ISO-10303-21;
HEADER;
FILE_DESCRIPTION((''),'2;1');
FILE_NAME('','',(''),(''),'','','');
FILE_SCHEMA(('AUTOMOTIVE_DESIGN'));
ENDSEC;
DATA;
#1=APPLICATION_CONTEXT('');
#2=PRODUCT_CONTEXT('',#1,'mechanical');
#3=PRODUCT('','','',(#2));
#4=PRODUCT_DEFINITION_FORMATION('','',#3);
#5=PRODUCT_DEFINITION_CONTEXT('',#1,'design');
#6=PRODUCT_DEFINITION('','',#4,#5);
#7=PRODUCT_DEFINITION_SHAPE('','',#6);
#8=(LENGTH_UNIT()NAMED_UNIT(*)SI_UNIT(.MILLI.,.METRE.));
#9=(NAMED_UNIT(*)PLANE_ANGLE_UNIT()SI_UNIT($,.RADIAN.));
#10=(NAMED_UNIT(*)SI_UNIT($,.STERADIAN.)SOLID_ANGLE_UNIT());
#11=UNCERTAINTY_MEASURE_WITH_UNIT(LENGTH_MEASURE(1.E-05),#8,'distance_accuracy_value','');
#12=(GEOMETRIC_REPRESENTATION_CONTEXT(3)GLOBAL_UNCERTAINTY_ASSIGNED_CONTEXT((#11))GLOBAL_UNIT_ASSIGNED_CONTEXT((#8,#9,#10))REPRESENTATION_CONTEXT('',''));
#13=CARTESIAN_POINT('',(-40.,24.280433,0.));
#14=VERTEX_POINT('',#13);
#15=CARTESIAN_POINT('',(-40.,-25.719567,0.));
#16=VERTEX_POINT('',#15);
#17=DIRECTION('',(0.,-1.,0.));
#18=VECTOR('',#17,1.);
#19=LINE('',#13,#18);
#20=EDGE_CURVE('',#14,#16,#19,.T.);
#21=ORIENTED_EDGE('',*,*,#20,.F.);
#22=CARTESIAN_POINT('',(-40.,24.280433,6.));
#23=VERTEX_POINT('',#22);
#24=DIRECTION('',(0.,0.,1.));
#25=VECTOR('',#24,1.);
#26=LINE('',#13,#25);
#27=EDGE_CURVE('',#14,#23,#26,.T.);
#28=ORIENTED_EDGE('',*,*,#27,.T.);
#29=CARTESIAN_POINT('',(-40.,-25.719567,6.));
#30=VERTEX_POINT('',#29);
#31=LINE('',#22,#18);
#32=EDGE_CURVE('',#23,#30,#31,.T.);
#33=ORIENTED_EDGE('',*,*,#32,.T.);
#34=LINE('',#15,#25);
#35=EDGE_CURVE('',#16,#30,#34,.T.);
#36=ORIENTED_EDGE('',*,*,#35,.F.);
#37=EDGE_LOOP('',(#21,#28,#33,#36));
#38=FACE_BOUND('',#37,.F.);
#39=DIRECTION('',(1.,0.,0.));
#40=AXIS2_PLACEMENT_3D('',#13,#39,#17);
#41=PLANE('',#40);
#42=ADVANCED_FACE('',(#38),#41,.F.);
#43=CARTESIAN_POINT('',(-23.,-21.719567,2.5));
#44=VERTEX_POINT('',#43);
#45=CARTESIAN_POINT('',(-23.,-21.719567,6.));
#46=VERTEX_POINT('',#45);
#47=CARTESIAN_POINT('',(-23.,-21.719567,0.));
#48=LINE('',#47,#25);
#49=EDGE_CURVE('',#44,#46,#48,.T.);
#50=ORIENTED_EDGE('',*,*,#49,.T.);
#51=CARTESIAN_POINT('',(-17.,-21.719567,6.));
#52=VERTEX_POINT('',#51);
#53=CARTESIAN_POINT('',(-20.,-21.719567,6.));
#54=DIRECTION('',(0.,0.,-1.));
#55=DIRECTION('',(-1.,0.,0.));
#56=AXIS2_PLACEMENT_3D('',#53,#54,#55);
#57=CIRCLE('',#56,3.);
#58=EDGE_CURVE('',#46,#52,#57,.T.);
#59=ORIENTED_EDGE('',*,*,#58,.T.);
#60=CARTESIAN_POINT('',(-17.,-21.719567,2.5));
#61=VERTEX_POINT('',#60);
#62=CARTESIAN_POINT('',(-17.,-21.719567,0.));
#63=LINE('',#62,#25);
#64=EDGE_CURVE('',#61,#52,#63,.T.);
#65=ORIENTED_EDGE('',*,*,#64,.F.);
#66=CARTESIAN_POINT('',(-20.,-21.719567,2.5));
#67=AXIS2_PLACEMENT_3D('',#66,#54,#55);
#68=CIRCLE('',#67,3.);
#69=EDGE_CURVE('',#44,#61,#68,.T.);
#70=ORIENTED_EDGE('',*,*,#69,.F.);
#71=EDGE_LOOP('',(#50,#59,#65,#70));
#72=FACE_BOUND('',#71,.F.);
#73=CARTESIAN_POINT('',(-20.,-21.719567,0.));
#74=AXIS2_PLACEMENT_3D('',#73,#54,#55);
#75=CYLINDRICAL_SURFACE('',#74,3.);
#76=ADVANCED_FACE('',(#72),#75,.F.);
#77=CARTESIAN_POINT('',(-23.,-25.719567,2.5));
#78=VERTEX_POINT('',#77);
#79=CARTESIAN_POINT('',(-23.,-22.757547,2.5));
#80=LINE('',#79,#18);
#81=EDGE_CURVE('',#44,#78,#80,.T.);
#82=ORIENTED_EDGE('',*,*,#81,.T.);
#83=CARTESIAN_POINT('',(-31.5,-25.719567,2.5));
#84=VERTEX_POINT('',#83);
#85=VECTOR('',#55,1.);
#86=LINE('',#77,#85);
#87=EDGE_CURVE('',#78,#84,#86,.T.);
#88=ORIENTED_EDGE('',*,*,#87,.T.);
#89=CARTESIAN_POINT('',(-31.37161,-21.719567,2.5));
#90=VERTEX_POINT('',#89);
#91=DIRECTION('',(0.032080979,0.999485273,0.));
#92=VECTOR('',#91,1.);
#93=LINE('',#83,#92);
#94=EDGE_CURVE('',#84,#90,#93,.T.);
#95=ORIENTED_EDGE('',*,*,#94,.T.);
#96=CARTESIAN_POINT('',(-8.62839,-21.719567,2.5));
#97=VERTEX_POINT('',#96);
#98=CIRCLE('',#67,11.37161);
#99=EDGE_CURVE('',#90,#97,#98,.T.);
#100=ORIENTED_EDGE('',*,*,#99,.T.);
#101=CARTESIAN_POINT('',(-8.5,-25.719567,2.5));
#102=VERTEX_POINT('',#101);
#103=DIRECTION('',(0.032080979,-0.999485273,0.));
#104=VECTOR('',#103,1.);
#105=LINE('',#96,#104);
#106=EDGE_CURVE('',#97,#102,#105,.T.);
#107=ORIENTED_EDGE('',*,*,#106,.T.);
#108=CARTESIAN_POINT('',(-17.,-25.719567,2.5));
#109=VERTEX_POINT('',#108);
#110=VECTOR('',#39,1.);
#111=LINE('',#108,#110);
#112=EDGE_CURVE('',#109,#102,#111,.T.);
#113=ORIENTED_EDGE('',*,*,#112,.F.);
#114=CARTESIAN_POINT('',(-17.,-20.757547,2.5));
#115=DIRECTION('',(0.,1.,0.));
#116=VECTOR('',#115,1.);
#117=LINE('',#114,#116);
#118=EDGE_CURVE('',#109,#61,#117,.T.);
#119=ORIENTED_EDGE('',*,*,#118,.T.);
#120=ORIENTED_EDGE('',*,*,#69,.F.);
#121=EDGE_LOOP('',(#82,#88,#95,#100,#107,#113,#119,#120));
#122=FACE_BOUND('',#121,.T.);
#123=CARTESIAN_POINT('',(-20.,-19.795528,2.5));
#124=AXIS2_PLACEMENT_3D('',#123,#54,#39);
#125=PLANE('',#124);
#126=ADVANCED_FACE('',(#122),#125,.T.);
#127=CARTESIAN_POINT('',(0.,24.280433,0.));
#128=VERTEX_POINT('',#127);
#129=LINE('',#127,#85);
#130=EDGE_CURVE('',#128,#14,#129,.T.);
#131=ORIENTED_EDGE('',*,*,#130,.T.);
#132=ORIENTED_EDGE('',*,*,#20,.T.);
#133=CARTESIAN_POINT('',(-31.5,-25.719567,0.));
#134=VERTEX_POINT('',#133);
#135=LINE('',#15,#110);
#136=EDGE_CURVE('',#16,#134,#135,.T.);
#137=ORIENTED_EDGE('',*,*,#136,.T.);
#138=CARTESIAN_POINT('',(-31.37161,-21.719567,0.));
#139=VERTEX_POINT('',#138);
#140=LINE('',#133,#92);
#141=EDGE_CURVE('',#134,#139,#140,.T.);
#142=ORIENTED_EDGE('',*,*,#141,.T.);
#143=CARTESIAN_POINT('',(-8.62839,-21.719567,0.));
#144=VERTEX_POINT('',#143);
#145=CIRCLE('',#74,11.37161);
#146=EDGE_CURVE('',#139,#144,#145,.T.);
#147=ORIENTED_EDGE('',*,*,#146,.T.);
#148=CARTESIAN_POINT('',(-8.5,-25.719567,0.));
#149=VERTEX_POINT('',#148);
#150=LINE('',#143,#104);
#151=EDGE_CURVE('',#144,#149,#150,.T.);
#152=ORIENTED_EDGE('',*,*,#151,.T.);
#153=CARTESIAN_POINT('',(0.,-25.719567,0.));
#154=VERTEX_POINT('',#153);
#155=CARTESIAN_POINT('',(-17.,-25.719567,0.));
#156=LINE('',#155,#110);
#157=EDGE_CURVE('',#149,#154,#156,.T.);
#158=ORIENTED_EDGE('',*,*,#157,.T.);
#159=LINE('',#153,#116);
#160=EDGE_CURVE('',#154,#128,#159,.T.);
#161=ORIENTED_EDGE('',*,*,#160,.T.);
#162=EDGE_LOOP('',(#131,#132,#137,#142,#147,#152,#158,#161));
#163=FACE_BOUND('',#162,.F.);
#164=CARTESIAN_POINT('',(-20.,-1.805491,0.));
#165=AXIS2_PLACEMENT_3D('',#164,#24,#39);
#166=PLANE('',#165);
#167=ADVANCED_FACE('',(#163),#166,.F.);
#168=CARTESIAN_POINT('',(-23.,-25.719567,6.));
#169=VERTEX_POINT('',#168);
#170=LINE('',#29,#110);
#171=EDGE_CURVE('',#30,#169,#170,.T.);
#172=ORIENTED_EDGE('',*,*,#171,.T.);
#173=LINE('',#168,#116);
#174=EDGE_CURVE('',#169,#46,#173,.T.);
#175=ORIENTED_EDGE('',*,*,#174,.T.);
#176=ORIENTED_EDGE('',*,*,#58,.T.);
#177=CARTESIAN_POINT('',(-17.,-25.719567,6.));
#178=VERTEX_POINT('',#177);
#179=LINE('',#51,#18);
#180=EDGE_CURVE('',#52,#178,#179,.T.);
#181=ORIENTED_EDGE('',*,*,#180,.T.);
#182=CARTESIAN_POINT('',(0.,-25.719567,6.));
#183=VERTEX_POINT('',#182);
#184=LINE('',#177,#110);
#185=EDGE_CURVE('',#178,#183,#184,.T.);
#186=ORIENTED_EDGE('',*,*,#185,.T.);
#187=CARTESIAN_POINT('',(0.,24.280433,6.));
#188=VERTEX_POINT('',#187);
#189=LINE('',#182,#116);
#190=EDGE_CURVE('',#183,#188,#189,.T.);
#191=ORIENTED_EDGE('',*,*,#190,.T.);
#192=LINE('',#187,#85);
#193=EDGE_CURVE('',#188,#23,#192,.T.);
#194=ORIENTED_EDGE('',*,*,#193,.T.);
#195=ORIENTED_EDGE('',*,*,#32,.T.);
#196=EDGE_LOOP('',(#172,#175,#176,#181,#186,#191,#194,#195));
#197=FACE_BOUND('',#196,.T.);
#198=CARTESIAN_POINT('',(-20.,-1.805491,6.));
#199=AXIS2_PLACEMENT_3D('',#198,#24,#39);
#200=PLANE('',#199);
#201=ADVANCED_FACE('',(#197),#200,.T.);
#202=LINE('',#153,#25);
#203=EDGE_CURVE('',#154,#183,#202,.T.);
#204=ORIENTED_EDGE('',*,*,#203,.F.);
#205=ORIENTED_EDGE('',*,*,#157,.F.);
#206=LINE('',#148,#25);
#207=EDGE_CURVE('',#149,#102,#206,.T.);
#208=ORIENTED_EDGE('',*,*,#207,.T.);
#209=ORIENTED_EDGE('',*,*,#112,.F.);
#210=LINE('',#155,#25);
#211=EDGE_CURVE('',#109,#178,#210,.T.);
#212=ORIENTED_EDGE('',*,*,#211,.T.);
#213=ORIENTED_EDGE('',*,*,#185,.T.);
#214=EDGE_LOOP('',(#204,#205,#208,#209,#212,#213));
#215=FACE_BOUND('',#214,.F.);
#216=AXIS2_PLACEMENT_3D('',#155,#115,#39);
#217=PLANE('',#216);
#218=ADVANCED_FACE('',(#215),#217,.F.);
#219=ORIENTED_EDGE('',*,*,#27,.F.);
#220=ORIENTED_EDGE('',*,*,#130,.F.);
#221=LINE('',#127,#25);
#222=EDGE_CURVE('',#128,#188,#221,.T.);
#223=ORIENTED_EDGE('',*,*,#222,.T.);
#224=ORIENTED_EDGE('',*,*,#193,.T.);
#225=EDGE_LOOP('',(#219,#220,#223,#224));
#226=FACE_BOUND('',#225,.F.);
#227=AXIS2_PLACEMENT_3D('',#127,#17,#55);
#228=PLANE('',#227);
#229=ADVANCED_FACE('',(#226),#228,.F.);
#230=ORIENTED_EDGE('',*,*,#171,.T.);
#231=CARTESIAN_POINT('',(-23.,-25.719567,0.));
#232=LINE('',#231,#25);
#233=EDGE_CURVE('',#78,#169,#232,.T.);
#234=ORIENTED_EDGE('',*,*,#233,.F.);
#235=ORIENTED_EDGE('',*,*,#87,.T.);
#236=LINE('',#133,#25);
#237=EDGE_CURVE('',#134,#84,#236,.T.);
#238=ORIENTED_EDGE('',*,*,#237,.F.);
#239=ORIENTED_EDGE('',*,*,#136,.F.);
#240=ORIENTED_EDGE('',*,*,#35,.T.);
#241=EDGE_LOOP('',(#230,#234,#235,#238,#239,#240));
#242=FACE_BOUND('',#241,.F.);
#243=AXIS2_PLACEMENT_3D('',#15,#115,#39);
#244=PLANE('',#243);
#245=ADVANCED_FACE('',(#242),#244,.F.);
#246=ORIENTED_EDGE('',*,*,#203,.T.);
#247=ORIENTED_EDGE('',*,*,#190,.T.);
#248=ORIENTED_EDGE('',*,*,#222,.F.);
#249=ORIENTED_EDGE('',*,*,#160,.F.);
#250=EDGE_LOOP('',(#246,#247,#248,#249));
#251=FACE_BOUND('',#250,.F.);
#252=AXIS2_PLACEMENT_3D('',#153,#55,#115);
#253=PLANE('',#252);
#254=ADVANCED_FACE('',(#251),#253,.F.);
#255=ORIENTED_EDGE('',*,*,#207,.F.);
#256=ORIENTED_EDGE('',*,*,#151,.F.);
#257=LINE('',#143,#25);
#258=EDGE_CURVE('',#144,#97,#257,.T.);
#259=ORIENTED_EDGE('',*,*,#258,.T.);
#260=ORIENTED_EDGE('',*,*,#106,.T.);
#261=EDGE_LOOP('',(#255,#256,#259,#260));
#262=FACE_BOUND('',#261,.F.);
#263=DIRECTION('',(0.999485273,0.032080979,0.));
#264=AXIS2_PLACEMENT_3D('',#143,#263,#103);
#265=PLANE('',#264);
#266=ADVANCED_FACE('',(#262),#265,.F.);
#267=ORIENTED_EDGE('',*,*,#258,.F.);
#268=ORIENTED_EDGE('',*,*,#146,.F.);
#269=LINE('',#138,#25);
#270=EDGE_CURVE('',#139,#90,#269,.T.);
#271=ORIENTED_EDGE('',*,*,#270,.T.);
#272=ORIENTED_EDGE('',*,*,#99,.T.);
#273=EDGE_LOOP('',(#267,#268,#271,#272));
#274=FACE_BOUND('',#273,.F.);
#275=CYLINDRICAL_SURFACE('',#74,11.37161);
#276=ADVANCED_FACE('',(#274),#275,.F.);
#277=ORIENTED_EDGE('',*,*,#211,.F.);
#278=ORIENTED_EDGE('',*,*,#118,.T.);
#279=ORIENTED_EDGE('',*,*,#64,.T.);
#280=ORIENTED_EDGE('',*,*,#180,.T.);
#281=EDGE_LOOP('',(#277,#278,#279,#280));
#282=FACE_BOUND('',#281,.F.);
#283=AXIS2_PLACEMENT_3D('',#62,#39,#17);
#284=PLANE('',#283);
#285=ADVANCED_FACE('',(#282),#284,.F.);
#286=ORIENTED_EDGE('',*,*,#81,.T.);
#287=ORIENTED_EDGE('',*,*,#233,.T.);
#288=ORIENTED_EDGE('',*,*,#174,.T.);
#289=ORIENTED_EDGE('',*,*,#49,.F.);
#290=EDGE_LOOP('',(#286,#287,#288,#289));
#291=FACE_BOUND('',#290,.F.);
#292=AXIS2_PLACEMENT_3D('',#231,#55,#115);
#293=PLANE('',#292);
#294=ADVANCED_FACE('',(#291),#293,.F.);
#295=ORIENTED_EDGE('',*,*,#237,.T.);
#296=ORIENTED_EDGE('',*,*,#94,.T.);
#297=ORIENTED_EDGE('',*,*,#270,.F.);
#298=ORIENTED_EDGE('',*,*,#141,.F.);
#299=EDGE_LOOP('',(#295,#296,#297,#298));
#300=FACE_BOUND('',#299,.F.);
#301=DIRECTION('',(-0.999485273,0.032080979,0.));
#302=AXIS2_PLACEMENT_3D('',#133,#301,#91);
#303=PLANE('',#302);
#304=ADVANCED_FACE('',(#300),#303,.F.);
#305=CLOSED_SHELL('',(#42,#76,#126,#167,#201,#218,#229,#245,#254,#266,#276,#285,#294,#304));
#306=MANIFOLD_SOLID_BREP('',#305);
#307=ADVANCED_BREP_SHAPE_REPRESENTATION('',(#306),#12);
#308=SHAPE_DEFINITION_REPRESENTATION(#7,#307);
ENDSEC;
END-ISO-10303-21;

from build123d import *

# Parameters (mm, degrees)
F1_DEPTH = 6
F3_DEPTH = 2.5


with BuildPart() as f1:
    # F0 (on Top) → F1 (new body)
    with BuildSketch(Plane.XY):
        with BuildLine():
            Line((0, -25.719567), (0, 24.280433))
            Line((0, 24.280433), (-40, 24.280433))
            Line((-40, 24.280433), (-40, -25.719567))
            Line((-40, -25.719567), (-23, -25.719567))
            Line((-23, -25.719567), (-23, -21.719567))
            ThreePointArc((-23, -21.719567), (-20, -18.719567), (-17, -21.719567))
            Line((-17, -21.719567), (-17, -25.719567))
            Line((-17, -25.719567), (0, -25.719567))
        make_face()
    extrude(amount=F1_DEPTH)

    # F2 (on face) → F3 (cut)
    with BuildSketch(Plane(origin=(0, 0, 0), x_dir=(1, 0, 0), z_dir=(0, 0, -1))):
        with BuildLine():
            Line((-9.355118, 25.719567), (-30.644882, 25.719567))
            ThreePointArc((-30.644882, 25.719567), (-31.188453, 23.752307), (-31.37161, 21.719567))
            ThreePointArc((-31.37161, 21.719567), (-20, 10.347957), (-8.62839, 21.719567))
            ThreePointArc((-8.62839, 21.719567), (-8.811547, 23.752307), (-9.355118, 25.719567))
        make_face()
        with BuildLine():
            ThreePointArc((-9.355118, 25.719567), (-20, 33.091177), (-30.644882, 25.719567))
            Line((-30.644882, 25.719567), (-9.355118, 25.719567))
        make_face()
        with BuildLine():
            ThreePointArc((-31.37161, 21.719567), (-31.188453, 23.752307), (-30.644882, 25.719567))
            Line((-30.644882, 25.719567), (-31.5, 25.719567))
            Line((-31.5, 25.719567), (-31.37161, 21.719567))
        make_face()
        with BuildLine():
            Line((-8.5, 25.719567), (-9.355118, 25.719567))
            ThreePointArc((-9.355118, 25.719567), (-8.811547, 23.752307), (-8.62839, 21.719567))
            Line((-8.62839, 21.719567), (-8.5, 25.719567))
        make_face()
    extrude(amount=-F3_DEPTH, mode=Mode.SUBTRACT)


solid = f1.part
